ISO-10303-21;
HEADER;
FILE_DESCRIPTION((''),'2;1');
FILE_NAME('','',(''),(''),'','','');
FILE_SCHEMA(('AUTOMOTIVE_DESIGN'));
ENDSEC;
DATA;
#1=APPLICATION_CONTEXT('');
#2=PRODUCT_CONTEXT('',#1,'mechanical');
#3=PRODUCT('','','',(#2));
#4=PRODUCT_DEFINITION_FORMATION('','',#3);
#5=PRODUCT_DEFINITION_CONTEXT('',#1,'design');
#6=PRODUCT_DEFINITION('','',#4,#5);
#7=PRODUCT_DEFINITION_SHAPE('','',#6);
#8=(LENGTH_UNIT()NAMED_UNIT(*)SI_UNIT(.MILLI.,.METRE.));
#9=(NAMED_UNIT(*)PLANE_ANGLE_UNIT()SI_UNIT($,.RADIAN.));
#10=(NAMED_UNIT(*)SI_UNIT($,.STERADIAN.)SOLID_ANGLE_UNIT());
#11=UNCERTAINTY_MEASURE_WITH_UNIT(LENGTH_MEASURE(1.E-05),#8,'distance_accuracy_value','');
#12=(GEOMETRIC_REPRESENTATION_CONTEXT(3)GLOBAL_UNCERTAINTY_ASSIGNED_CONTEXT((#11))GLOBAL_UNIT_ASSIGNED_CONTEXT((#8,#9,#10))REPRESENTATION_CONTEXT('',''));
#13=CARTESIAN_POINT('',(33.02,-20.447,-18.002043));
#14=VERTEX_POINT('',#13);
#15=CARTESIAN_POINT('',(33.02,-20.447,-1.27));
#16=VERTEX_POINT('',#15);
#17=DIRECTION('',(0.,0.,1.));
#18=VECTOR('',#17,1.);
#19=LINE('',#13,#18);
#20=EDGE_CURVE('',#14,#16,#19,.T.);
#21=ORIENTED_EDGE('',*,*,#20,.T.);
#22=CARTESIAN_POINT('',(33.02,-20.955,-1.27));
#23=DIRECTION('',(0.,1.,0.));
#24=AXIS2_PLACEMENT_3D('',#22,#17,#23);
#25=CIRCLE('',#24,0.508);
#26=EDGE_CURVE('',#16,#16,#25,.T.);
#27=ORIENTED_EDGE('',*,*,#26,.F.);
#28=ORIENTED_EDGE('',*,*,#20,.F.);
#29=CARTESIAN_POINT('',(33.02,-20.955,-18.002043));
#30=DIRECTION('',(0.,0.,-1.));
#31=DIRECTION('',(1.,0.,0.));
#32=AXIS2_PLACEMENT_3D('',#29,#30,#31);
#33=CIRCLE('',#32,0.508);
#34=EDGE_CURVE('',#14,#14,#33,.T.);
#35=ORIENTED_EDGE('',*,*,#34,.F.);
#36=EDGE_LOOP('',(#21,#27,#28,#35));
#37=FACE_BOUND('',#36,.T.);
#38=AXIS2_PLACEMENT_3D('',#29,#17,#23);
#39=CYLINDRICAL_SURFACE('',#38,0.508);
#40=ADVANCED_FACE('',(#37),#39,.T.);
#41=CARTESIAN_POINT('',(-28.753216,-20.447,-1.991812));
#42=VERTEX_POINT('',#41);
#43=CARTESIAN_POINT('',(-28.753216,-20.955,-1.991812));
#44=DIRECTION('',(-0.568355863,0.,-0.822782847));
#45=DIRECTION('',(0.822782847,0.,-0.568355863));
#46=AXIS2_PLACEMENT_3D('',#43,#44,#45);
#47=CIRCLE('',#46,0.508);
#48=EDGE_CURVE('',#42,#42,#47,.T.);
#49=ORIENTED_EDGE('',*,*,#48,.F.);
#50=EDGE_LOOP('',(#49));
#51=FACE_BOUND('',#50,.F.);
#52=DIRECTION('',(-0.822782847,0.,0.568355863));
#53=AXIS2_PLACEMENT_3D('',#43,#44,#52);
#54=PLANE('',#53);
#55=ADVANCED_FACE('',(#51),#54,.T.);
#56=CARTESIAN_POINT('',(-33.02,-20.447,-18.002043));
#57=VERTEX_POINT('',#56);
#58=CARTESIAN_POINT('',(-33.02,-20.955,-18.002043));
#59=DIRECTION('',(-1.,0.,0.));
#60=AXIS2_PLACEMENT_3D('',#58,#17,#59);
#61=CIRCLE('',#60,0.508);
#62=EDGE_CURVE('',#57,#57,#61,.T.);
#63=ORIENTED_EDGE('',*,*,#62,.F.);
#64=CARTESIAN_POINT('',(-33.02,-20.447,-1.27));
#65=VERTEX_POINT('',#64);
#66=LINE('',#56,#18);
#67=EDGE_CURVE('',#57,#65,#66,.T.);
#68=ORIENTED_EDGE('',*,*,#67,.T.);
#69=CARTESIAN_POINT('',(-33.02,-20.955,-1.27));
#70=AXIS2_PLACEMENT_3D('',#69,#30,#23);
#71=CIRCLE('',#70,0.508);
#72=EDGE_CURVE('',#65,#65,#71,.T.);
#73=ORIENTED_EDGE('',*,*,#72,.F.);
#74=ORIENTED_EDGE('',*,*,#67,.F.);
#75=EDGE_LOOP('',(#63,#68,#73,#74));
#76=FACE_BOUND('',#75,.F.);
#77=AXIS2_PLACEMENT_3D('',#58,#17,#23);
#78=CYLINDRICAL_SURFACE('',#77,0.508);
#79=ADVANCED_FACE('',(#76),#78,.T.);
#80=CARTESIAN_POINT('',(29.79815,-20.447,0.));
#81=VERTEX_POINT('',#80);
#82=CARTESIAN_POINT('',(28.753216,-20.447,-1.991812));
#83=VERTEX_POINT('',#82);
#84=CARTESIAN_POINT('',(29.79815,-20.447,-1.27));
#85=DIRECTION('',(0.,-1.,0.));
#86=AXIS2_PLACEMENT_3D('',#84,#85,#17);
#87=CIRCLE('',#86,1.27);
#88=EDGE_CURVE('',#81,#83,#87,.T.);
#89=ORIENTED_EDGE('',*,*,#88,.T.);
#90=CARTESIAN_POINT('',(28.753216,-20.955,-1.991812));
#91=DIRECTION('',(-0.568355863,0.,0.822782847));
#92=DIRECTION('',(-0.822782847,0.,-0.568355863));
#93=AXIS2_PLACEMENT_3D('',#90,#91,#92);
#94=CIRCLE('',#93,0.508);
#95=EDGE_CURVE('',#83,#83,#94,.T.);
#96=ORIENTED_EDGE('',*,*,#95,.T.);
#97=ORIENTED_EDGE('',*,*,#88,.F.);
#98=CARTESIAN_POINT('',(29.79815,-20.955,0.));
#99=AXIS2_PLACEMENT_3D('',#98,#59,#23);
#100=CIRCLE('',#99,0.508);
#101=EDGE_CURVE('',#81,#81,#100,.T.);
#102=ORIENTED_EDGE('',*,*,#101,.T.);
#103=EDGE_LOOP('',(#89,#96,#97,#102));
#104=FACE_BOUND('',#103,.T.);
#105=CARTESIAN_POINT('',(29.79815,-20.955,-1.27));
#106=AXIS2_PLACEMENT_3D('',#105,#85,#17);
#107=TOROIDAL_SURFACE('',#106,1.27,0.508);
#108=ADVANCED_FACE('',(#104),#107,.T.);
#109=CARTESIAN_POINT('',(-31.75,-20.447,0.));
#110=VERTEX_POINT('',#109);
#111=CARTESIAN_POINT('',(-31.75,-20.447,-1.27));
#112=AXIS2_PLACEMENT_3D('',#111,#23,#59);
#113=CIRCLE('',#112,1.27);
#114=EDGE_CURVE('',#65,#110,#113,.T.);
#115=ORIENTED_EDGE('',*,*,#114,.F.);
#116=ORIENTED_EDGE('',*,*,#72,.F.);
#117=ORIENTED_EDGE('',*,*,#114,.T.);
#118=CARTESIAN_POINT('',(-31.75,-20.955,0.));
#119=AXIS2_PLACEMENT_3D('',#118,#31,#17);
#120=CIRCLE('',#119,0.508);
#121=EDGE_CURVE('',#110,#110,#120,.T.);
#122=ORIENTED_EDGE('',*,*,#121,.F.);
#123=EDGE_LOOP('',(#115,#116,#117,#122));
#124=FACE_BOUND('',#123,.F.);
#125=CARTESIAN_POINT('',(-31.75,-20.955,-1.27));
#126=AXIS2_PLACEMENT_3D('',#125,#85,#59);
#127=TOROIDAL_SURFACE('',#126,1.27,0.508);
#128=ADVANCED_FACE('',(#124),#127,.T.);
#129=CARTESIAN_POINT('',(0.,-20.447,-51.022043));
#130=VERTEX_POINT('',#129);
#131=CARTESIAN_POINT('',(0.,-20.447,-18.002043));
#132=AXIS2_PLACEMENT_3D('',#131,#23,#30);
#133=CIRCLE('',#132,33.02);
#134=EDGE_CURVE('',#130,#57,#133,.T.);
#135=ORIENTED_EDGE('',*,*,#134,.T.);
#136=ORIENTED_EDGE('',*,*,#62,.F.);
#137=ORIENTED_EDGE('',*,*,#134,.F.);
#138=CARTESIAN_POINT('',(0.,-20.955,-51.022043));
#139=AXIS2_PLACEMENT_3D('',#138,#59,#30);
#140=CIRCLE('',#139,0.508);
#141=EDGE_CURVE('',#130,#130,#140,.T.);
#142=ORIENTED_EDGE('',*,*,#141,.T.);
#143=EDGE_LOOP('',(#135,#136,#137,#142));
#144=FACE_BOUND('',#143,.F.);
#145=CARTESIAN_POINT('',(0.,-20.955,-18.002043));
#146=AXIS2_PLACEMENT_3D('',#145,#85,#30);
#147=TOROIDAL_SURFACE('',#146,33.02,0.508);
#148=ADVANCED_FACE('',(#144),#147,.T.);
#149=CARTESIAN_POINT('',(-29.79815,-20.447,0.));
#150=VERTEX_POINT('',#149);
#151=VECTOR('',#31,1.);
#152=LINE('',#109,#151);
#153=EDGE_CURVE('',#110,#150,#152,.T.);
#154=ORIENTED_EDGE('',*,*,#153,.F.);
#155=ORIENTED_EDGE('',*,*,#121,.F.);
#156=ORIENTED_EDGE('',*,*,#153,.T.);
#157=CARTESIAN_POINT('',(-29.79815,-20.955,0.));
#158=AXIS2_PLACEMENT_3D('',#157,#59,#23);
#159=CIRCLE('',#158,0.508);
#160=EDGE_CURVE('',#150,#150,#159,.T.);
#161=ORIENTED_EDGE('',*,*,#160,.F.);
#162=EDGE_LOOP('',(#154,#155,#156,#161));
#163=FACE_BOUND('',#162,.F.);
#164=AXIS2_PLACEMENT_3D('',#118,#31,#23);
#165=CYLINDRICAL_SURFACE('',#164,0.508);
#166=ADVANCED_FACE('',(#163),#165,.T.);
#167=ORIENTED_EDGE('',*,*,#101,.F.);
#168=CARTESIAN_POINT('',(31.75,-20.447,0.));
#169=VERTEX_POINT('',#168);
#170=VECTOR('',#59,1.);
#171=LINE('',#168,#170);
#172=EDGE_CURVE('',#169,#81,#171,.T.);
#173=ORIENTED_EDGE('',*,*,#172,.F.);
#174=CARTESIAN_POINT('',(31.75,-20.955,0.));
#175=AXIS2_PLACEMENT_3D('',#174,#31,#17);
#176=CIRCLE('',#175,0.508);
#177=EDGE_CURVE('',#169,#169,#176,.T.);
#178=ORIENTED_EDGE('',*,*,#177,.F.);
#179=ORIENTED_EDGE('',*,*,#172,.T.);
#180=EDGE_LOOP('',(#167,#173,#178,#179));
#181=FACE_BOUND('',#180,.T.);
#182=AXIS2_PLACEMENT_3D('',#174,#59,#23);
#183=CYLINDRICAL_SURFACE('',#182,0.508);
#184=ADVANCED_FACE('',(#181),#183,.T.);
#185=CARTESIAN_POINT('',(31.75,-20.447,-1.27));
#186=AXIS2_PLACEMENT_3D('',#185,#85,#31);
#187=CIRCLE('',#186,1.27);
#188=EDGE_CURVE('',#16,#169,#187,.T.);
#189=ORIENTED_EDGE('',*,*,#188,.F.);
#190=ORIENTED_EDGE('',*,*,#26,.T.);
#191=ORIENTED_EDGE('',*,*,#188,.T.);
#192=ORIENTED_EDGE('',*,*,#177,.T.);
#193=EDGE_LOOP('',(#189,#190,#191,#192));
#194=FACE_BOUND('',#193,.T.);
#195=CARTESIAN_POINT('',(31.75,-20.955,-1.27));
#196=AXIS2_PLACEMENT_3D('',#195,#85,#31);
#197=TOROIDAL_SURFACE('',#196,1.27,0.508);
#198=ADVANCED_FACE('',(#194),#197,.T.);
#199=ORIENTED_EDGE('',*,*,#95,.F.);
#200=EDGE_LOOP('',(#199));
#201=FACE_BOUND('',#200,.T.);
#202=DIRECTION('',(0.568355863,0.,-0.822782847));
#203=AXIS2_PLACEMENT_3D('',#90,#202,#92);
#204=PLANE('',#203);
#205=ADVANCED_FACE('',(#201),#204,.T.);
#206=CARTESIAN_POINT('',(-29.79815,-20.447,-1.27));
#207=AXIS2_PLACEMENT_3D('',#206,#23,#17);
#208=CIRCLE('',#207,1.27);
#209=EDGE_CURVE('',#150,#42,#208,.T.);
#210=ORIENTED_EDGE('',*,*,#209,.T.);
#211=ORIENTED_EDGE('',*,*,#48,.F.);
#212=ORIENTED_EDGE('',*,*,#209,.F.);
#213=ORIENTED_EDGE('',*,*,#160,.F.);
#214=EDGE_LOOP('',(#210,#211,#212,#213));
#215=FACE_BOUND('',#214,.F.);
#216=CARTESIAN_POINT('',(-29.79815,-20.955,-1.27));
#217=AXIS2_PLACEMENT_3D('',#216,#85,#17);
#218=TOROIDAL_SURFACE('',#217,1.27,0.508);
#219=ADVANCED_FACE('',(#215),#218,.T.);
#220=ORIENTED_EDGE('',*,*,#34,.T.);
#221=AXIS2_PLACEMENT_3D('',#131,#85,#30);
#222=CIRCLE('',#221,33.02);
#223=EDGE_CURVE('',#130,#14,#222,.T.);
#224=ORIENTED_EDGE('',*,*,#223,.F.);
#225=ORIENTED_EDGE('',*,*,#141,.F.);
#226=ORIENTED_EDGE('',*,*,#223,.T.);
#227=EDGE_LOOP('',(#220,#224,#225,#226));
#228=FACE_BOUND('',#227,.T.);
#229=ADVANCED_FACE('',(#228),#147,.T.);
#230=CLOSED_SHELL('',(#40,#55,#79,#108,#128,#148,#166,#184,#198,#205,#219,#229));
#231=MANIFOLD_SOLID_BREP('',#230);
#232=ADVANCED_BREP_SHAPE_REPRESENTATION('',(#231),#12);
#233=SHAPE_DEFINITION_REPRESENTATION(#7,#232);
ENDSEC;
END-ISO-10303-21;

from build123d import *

# Parameters (mm, degrees)
F2_R = 0.508


with BuildPart() as f3:
    # F3: sweep along a path in F1
    with BuildLine(Plane.XZ.offset(20.955)) as f3_path:
        ThreePointArc((0, 15.6529568557), (23.3486659148, 25.3242909409), (33.02, 48.6729568557))
        Line((33.02, 48.6729568557), (33.02, 65.405))
        ThreePointArc((33.02, 65.405), (32.6480256121, 66.3030256121), (31.75, 66.675))
        Line((31.75, 66.675), (29.7981500626, 66.675))
        ThreePointArc((29.7981500626, 66.675), (28.6735165287, 65.9949995038), (28.7532158469, 64.6831880543))
    # F2 (on Right) → F3 (sweep)
    with BuildSketch(Plane.YZ):
        with Locations((-20.955, 15.6529568557)):
            Circle(F2_R)
    sweep(path=f3_path.line)

    # F4: F3 across plane


with BuildPart() as f3_1:
    add(f3.part)
    add(f3.part.mirror(Plane.YZ))


with BuildPart() as f3_2:
    # F6: moved
    add(f3_1.part.moved(Location((0, 0, -66.675))))


solid = f3_2.part
